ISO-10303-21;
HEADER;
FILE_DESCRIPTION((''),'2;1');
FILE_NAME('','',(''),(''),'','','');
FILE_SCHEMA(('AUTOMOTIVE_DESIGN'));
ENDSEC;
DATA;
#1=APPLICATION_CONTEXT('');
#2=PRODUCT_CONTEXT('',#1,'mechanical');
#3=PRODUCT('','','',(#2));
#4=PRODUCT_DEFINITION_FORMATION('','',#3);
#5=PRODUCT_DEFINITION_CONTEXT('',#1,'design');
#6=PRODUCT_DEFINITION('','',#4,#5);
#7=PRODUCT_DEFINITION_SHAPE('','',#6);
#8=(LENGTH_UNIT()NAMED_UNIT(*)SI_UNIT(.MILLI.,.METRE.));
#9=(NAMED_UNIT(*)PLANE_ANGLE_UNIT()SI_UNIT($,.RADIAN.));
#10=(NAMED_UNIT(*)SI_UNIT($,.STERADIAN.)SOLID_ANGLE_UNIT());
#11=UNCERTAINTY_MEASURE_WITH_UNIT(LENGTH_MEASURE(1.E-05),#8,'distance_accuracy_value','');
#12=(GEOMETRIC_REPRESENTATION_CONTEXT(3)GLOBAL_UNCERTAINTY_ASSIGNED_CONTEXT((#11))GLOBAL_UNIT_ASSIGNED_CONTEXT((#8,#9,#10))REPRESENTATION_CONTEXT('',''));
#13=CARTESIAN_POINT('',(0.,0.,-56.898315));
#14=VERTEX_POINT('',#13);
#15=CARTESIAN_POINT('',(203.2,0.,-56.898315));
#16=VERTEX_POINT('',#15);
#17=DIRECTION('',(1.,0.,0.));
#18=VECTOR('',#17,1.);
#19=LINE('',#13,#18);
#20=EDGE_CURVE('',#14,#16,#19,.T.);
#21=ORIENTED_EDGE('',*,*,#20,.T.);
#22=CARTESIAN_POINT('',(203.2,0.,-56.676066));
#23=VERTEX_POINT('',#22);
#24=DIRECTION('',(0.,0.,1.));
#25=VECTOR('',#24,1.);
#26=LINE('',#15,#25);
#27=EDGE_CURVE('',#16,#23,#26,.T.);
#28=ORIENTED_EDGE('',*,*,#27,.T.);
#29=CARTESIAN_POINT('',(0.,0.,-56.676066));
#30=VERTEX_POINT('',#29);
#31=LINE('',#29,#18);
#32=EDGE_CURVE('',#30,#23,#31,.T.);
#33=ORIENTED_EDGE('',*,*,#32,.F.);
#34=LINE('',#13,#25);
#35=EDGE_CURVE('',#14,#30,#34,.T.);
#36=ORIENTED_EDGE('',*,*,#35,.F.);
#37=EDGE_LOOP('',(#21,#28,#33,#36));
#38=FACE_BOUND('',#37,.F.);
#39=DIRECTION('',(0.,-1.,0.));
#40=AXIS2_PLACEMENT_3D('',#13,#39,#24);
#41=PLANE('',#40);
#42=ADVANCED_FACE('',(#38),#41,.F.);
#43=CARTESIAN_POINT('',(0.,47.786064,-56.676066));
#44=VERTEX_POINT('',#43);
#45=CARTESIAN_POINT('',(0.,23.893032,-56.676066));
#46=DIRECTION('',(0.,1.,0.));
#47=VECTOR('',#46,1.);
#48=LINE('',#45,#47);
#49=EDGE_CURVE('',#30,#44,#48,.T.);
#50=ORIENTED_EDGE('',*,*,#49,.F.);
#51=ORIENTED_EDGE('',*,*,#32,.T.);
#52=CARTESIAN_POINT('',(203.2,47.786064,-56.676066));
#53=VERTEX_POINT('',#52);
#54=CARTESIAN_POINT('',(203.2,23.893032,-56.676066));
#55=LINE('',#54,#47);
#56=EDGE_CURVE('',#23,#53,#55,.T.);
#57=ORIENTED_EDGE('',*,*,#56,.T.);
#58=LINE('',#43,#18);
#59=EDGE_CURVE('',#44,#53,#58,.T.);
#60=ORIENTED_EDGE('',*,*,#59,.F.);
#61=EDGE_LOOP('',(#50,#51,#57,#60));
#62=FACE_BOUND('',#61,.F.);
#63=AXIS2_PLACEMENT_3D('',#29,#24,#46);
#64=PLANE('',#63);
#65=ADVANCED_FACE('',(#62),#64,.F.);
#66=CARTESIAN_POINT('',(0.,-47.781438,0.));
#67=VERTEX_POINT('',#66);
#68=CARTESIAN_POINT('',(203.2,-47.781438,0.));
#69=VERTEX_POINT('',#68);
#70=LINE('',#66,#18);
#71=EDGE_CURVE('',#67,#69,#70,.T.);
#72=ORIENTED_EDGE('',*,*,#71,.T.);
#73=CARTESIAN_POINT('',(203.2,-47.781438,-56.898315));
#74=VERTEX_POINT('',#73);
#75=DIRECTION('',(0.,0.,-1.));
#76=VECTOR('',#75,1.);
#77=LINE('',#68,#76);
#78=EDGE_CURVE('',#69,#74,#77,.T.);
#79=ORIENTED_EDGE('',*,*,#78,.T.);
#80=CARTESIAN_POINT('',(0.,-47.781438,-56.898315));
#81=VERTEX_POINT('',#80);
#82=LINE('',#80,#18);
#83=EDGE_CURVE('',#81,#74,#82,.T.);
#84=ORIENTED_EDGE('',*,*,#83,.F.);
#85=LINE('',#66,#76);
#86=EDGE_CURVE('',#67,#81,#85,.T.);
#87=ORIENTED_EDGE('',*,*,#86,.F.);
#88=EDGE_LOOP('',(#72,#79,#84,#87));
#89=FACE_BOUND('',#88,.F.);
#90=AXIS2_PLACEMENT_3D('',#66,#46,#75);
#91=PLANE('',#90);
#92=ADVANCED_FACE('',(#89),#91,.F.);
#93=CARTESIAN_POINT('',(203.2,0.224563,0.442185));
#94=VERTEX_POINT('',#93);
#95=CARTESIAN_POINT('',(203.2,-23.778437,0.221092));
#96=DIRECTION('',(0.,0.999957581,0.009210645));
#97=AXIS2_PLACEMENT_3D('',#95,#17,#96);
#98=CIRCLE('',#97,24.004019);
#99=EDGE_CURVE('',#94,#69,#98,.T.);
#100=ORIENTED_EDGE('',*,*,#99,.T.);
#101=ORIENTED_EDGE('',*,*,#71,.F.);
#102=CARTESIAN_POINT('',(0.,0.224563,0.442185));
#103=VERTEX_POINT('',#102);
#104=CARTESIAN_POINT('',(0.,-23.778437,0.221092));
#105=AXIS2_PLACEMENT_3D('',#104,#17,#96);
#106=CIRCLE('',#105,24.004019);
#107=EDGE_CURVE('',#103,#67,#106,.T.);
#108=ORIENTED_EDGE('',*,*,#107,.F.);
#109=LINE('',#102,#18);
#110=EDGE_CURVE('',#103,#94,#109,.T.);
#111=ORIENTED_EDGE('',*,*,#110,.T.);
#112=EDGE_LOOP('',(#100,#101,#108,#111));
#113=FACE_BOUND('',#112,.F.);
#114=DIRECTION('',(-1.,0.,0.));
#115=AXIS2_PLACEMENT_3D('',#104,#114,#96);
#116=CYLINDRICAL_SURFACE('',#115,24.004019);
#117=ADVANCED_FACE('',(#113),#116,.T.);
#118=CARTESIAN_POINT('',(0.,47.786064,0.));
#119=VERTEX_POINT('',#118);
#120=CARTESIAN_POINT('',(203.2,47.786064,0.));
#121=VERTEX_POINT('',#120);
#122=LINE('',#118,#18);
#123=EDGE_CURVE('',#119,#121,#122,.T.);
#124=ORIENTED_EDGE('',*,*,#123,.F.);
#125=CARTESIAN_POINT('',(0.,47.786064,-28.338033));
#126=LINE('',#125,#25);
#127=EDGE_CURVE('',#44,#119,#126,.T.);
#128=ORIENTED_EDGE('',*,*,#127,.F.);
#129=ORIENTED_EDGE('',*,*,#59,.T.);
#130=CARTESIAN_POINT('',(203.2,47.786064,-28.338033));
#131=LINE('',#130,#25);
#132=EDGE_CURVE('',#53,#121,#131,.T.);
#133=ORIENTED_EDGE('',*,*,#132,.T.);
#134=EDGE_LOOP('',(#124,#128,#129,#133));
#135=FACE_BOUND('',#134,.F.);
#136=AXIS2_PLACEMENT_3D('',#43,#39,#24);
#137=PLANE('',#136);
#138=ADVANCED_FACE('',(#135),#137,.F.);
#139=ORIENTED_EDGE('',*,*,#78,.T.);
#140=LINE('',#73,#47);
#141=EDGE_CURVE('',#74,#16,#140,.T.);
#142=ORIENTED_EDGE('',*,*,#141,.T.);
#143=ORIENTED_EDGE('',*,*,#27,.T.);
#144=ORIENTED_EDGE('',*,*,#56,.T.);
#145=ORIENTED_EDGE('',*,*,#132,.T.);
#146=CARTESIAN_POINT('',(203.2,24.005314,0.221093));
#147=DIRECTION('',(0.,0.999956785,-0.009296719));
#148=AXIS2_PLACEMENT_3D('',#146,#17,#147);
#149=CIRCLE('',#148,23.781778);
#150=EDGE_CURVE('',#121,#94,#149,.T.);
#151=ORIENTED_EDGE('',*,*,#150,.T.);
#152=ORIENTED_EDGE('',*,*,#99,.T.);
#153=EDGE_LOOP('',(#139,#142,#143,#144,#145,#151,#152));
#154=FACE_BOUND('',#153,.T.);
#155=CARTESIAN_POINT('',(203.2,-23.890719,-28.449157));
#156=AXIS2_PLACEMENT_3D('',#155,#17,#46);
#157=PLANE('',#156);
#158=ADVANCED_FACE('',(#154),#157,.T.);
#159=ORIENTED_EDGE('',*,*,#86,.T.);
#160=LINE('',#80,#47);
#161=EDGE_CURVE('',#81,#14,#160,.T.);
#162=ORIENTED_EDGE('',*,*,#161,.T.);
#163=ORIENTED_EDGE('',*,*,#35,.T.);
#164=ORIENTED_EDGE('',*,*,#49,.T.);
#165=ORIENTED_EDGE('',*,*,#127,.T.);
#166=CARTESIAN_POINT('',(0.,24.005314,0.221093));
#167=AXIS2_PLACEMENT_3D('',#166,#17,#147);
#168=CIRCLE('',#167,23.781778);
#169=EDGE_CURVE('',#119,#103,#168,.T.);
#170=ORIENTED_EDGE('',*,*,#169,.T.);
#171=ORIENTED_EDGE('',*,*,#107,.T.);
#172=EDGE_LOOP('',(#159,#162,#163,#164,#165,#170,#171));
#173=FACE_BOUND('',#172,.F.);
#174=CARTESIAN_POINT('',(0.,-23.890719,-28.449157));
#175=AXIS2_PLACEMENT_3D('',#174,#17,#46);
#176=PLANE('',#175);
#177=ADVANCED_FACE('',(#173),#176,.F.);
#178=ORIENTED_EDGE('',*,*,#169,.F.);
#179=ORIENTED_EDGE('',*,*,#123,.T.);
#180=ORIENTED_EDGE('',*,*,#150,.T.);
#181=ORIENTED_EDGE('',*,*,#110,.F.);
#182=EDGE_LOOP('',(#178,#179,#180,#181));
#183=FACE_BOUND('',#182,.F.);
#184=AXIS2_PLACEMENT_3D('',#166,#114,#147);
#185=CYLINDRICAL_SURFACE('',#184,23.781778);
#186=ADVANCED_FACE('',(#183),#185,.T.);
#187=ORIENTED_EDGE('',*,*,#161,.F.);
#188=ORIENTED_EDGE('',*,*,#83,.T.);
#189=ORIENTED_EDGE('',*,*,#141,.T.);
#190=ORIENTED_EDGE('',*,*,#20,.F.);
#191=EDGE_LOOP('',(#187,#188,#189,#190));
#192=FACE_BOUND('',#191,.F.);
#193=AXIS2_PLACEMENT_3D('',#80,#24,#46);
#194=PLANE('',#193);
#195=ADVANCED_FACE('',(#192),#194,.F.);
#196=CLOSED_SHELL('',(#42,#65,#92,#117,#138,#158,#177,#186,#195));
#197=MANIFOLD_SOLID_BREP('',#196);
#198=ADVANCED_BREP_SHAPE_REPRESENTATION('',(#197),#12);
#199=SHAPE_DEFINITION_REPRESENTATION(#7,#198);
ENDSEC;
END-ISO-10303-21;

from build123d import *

# Parameters (mm, degrees)
F0_W     = 47.786064
F0_H     = 56.676067
F1_DEPTH = 203.2


with BuildPart() as f1:
    # F0 (on Right) → F1 (new body)
    with BuildSketch(Plane.YZ):
        Polygon((0, 0), (-47.781438, 0), (-47.781438, -56.898315), (0, -56.898315), (0, -56.676067), align=None)
        with Locations((23.893032, -28.338033)):
            Rectangle(F0_W, F0_H)
        with BuildLine():
            ThreePointArc((0.224563, 0.442185), (-23.99953, 24.224093), (-47.781438, 0))
            Line((-47.781438, 0), (0, 0))
            Line((0, 0), (47.786064, 0))
            ThreePointArc((47.786064, 0), (24.226407, 24.001843), (0.224563, 0.442185))
        make_face()
    extrude(amount=F1_DEPTH)


solid = f1.part
